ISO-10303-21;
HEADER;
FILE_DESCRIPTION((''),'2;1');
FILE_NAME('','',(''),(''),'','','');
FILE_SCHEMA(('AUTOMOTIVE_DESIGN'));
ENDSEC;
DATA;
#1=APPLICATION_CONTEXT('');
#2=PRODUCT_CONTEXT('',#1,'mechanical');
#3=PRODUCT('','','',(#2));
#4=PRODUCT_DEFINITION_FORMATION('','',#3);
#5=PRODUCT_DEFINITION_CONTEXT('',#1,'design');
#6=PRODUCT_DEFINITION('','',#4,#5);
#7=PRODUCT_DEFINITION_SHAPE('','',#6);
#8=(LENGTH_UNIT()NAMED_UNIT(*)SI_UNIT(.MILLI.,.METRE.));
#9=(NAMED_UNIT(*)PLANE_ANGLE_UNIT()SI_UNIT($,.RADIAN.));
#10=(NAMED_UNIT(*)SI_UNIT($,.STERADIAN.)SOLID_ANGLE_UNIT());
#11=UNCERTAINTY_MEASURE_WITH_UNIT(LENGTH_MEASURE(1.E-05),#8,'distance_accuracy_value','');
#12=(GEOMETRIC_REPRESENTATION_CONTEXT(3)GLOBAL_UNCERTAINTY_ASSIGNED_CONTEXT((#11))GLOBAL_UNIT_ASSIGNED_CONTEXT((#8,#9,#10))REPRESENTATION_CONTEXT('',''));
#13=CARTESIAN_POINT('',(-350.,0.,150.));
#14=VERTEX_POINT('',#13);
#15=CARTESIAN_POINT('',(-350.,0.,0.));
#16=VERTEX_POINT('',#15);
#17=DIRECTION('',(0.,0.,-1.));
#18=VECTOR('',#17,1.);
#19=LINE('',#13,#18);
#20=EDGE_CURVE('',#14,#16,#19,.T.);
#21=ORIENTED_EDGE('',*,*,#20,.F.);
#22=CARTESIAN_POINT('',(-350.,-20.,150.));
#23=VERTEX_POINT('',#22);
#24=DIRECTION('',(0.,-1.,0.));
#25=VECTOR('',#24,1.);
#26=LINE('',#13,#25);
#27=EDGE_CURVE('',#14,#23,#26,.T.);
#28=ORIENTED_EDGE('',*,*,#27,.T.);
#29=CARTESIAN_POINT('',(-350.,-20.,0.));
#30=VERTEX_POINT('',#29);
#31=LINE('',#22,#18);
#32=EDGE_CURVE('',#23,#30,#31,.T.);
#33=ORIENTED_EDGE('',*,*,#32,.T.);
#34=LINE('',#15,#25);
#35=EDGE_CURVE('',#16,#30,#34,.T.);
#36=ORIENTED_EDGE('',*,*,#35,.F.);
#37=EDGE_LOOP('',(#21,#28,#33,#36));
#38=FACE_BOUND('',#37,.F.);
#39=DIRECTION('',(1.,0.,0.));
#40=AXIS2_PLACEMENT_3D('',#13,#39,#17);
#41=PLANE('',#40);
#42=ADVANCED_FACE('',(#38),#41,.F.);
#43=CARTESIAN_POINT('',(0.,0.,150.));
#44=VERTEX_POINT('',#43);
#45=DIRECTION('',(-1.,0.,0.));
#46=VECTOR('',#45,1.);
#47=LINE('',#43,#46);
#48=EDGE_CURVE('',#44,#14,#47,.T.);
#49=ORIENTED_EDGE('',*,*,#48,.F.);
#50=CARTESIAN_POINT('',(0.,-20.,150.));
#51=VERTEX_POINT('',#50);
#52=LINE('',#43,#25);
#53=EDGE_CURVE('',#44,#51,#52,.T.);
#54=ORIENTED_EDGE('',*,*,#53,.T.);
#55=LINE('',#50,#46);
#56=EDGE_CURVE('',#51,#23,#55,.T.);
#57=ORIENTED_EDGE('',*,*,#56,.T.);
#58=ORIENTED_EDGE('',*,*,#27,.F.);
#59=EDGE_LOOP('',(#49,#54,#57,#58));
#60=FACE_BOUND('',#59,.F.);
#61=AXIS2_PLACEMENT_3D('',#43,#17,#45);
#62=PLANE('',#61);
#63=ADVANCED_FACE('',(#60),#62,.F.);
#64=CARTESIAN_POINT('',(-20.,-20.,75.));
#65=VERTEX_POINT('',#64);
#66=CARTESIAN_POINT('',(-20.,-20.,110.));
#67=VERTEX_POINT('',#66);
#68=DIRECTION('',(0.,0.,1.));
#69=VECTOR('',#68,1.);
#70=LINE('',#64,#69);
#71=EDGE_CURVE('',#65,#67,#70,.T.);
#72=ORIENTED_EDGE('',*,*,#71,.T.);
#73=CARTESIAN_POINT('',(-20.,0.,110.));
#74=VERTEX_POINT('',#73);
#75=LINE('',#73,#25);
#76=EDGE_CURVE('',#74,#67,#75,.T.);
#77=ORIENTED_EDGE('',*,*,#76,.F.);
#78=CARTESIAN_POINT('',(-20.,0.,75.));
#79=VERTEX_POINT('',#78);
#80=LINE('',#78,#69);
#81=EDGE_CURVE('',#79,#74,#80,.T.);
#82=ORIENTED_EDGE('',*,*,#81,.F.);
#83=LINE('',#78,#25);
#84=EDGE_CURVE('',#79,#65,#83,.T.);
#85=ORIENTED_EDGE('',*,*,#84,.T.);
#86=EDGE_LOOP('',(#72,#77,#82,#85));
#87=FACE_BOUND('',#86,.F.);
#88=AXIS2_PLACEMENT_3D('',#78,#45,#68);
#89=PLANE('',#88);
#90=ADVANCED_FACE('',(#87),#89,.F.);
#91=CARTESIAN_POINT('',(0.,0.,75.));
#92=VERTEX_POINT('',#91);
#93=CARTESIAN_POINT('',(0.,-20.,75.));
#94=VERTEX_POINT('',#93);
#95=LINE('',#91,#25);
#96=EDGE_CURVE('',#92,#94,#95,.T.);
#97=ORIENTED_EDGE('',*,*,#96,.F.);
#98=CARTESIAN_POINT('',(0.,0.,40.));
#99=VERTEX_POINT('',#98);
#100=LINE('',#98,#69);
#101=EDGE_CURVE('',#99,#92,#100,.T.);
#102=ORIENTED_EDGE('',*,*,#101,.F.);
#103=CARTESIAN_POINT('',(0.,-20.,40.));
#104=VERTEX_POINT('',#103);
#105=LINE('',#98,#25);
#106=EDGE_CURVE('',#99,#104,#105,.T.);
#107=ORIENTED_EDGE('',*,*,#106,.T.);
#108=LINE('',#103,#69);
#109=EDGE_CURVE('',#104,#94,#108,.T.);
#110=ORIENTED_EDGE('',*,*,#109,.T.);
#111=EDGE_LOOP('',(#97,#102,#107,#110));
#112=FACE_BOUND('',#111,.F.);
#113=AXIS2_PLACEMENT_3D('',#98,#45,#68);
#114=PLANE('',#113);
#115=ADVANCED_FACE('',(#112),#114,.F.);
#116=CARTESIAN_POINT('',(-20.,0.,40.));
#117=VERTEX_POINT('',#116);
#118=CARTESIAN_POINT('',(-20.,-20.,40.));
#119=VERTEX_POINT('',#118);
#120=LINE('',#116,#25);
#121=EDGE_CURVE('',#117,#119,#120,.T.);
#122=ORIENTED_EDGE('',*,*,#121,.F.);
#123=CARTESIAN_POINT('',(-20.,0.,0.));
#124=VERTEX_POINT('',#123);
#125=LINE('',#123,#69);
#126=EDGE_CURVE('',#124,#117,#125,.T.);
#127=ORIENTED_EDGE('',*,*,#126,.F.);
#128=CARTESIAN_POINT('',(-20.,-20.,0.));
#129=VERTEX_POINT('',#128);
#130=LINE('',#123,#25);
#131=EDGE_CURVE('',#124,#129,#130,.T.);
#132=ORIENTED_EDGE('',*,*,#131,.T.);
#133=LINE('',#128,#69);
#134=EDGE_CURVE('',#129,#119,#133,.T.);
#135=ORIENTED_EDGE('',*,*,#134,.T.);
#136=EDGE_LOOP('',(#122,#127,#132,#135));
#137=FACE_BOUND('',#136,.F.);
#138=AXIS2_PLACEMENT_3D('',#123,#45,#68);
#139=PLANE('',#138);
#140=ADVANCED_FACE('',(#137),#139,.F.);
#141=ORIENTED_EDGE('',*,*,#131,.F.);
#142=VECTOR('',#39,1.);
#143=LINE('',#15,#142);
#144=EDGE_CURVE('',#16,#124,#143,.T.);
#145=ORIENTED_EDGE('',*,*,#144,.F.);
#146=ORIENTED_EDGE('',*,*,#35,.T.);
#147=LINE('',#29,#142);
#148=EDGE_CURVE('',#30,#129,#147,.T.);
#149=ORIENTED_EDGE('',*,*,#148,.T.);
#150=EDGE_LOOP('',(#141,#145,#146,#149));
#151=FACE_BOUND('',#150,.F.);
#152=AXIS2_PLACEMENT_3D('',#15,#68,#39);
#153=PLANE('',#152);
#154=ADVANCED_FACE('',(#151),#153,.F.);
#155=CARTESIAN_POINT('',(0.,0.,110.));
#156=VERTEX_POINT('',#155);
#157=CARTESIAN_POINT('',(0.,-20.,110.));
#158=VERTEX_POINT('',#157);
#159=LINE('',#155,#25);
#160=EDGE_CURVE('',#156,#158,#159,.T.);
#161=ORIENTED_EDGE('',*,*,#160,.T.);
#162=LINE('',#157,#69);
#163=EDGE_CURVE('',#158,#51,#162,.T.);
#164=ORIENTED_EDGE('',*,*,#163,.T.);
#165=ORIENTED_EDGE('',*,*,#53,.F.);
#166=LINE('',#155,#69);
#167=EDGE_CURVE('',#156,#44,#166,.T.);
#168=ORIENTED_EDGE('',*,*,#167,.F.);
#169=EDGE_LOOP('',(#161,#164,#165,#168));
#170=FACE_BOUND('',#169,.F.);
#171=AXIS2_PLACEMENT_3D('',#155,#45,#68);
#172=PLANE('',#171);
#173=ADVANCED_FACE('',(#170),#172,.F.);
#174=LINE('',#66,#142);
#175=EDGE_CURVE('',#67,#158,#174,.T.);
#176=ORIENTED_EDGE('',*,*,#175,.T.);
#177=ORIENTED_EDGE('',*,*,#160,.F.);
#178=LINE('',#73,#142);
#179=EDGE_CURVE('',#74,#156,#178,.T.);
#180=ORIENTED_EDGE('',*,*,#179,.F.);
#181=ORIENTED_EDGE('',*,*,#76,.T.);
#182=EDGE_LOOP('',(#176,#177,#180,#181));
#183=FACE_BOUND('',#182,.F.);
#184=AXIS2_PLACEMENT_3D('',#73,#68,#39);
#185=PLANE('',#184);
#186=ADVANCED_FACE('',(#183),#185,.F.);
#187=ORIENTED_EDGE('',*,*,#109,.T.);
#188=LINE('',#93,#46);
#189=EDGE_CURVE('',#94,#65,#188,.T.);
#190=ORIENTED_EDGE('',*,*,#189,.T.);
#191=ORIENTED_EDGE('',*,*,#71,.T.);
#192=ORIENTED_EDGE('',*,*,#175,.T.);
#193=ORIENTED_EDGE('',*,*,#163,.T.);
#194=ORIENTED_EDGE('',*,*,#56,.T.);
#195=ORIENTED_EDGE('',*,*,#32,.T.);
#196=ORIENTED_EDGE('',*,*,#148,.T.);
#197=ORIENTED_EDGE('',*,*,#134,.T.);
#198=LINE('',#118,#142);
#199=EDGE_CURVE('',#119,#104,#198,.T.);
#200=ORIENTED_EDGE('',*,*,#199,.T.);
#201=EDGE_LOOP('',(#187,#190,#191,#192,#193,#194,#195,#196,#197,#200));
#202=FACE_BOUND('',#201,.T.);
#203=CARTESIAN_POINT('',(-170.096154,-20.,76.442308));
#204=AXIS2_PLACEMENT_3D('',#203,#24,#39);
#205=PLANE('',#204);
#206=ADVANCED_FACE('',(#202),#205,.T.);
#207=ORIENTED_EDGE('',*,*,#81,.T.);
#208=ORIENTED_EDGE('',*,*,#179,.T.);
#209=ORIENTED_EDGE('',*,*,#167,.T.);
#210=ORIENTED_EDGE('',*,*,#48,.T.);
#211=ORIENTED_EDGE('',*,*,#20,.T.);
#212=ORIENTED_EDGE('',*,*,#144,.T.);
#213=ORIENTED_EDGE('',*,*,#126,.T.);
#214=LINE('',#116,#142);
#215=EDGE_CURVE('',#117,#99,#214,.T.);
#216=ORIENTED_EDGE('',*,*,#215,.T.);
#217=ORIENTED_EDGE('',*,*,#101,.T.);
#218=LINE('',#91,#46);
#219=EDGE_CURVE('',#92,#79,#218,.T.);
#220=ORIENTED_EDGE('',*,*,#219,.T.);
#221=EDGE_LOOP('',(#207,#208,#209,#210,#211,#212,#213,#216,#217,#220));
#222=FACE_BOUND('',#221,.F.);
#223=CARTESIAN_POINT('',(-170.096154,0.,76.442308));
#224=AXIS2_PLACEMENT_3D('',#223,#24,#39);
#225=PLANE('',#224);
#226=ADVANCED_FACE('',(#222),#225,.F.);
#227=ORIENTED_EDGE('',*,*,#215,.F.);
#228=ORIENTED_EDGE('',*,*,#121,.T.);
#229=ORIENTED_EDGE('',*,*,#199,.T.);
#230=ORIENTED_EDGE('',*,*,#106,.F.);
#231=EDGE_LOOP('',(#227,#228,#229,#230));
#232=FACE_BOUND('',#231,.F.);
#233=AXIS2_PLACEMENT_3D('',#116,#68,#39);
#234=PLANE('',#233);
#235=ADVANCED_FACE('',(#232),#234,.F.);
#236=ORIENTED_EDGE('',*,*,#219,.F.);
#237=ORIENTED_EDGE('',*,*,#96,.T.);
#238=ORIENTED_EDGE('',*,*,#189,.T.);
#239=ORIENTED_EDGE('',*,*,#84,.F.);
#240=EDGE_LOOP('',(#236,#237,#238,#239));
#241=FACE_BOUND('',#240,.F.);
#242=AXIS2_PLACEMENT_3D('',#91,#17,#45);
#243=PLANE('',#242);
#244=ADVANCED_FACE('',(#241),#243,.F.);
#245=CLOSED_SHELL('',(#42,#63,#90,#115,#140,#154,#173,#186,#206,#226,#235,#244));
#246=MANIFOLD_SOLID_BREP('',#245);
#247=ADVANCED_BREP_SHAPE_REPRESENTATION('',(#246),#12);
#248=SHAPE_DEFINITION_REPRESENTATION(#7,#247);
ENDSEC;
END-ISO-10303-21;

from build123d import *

# Parameters (mm, degrees)
F1_DEPTH = 20


with BuildPart() as f1:
    # F0 (on Front) → F1 (new body)
    with BuildSketch(Plane.XZ):
        Polygon((-350, 0), (-20, 0), (-20, 40), (0, 40), (0, 75), (-20, 75), (-20, 110), (0, 110), (0, 150), (-350, 150), align=None)
    extrude(amount=F1_DEPTH)


solid = f1.part
